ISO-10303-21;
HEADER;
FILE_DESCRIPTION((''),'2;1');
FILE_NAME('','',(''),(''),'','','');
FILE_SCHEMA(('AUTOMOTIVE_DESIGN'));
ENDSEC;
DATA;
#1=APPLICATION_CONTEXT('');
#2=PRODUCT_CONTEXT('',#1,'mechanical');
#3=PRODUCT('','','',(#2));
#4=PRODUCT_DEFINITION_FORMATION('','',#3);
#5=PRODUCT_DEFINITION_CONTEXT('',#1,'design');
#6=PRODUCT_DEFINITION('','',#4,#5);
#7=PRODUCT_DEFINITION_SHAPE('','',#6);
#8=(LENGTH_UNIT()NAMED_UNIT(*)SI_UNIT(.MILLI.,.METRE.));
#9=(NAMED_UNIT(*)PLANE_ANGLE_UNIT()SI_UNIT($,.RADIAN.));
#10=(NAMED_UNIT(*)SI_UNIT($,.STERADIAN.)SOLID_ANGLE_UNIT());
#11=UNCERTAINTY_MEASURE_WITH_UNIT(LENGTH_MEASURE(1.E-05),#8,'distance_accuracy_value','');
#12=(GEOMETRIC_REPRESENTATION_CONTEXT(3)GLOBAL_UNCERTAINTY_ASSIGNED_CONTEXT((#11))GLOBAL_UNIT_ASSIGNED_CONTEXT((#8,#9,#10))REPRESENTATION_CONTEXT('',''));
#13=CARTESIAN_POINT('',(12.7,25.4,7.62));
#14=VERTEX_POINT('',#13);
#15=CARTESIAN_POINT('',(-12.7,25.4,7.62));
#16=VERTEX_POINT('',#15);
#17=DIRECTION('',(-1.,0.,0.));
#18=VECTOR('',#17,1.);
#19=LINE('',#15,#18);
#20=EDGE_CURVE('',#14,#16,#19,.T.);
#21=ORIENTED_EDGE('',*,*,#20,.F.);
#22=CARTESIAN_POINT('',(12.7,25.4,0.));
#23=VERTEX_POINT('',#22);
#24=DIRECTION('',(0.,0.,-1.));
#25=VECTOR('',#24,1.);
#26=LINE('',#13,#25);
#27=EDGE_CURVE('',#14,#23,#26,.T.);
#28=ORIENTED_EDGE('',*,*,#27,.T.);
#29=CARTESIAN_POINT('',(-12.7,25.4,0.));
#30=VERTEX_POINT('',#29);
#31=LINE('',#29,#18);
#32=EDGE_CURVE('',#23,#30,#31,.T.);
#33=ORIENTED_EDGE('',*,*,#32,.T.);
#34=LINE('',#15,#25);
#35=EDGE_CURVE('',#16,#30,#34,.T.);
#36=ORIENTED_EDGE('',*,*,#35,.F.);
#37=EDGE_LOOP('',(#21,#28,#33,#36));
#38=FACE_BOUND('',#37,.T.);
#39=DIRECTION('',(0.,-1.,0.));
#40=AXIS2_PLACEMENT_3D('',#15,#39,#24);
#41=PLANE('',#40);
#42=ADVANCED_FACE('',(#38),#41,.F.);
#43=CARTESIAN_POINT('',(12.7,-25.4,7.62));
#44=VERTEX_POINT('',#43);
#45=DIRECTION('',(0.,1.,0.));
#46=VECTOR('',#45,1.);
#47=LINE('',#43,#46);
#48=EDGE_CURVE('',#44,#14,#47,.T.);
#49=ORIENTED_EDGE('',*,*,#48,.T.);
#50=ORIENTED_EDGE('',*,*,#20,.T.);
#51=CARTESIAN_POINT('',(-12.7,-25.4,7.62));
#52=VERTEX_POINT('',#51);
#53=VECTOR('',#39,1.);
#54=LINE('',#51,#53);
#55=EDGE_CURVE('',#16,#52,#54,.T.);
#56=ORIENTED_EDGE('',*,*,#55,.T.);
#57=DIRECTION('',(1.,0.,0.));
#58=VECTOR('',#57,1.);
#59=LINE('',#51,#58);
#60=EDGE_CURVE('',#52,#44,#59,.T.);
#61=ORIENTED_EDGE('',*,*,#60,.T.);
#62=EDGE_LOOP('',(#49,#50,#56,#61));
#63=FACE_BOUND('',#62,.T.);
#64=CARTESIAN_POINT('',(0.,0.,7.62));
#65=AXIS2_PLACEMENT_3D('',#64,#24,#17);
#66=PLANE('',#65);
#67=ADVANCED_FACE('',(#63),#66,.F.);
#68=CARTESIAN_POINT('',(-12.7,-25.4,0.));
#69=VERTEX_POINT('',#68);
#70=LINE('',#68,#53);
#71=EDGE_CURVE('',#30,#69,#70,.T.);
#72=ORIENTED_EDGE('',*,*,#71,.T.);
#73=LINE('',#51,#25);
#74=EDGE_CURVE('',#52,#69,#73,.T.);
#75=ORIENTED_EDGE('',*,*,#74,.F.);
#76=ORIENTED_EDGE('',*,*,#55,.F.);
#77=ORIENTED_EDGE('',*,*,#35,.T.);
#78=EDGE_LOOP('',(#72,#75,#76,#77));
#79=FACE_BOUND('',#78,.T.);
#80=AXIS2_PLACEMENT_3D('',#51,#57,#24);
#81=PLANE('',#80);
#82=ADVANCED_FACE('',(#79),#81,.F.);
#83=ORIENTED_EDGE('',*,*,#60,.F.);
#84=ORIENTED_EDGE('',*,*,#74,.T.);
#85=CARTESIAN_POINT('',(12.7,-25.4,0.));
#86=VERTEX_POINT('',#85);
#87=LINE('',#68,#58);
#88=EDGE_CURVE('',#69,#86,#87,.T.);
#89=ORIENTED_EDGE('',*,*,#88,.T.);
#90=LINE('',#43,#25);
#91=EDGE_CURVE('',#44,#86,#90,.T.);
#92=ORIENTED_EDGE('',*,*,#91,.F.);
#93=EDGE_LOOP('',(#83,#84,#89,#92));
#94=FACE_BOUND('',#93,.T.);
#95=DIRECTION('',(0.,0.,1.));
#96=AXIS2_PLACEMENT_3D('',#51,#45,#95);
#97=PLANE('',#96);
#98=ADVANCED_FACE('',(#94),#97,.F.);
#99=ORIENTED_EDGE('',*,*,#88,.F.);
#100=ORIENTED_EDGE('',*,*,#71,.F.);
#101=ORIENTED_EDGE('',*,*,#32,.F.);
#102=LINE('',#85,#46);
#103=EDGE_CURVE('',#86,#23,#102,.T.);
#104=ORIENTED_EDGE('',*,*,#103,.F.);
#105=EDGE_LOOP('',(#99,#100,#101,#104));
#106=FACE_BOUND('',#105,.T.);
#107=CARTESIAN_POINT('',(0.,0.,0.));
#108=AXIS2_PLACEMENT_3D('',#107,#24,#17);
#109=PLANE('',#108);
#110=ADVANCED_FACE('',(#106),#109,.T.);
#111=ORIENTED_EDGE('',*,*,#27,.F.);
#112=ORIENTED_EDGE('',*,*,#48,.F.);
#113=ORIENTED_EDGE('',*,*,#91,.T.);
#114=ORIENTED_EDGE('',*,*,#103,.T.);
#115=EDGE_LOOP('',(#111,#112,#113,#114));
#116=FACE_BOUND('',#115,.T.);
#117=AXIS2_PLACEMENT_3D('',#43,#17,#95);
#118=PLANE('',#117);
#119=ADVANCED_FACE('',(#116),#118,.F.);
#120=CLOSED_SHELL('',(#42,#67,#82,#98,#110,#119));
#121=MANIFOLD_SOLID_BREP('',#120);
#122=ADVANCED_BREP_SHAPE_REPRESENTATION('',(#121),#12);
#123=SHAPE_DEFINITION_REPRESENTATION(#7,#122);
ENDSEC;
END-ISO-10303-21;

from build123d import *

# Parameters (mm, degrees)
SKETCH1_W           = 25.4
SKETCH1_H           = 50.8
BOSS_EXTRUDE1_DEPTH = 7.62


with BuildPart() as part:
    # Sketch1 → Boss-Extrude1 (new body)
    with BuildSketch(Plane.XY):
        Rectangle(SKETCH1_W, SKETCH1_H)
    extrude(amount=BOSS_EXTRUDE1_DEPTH)


solid = part.part
